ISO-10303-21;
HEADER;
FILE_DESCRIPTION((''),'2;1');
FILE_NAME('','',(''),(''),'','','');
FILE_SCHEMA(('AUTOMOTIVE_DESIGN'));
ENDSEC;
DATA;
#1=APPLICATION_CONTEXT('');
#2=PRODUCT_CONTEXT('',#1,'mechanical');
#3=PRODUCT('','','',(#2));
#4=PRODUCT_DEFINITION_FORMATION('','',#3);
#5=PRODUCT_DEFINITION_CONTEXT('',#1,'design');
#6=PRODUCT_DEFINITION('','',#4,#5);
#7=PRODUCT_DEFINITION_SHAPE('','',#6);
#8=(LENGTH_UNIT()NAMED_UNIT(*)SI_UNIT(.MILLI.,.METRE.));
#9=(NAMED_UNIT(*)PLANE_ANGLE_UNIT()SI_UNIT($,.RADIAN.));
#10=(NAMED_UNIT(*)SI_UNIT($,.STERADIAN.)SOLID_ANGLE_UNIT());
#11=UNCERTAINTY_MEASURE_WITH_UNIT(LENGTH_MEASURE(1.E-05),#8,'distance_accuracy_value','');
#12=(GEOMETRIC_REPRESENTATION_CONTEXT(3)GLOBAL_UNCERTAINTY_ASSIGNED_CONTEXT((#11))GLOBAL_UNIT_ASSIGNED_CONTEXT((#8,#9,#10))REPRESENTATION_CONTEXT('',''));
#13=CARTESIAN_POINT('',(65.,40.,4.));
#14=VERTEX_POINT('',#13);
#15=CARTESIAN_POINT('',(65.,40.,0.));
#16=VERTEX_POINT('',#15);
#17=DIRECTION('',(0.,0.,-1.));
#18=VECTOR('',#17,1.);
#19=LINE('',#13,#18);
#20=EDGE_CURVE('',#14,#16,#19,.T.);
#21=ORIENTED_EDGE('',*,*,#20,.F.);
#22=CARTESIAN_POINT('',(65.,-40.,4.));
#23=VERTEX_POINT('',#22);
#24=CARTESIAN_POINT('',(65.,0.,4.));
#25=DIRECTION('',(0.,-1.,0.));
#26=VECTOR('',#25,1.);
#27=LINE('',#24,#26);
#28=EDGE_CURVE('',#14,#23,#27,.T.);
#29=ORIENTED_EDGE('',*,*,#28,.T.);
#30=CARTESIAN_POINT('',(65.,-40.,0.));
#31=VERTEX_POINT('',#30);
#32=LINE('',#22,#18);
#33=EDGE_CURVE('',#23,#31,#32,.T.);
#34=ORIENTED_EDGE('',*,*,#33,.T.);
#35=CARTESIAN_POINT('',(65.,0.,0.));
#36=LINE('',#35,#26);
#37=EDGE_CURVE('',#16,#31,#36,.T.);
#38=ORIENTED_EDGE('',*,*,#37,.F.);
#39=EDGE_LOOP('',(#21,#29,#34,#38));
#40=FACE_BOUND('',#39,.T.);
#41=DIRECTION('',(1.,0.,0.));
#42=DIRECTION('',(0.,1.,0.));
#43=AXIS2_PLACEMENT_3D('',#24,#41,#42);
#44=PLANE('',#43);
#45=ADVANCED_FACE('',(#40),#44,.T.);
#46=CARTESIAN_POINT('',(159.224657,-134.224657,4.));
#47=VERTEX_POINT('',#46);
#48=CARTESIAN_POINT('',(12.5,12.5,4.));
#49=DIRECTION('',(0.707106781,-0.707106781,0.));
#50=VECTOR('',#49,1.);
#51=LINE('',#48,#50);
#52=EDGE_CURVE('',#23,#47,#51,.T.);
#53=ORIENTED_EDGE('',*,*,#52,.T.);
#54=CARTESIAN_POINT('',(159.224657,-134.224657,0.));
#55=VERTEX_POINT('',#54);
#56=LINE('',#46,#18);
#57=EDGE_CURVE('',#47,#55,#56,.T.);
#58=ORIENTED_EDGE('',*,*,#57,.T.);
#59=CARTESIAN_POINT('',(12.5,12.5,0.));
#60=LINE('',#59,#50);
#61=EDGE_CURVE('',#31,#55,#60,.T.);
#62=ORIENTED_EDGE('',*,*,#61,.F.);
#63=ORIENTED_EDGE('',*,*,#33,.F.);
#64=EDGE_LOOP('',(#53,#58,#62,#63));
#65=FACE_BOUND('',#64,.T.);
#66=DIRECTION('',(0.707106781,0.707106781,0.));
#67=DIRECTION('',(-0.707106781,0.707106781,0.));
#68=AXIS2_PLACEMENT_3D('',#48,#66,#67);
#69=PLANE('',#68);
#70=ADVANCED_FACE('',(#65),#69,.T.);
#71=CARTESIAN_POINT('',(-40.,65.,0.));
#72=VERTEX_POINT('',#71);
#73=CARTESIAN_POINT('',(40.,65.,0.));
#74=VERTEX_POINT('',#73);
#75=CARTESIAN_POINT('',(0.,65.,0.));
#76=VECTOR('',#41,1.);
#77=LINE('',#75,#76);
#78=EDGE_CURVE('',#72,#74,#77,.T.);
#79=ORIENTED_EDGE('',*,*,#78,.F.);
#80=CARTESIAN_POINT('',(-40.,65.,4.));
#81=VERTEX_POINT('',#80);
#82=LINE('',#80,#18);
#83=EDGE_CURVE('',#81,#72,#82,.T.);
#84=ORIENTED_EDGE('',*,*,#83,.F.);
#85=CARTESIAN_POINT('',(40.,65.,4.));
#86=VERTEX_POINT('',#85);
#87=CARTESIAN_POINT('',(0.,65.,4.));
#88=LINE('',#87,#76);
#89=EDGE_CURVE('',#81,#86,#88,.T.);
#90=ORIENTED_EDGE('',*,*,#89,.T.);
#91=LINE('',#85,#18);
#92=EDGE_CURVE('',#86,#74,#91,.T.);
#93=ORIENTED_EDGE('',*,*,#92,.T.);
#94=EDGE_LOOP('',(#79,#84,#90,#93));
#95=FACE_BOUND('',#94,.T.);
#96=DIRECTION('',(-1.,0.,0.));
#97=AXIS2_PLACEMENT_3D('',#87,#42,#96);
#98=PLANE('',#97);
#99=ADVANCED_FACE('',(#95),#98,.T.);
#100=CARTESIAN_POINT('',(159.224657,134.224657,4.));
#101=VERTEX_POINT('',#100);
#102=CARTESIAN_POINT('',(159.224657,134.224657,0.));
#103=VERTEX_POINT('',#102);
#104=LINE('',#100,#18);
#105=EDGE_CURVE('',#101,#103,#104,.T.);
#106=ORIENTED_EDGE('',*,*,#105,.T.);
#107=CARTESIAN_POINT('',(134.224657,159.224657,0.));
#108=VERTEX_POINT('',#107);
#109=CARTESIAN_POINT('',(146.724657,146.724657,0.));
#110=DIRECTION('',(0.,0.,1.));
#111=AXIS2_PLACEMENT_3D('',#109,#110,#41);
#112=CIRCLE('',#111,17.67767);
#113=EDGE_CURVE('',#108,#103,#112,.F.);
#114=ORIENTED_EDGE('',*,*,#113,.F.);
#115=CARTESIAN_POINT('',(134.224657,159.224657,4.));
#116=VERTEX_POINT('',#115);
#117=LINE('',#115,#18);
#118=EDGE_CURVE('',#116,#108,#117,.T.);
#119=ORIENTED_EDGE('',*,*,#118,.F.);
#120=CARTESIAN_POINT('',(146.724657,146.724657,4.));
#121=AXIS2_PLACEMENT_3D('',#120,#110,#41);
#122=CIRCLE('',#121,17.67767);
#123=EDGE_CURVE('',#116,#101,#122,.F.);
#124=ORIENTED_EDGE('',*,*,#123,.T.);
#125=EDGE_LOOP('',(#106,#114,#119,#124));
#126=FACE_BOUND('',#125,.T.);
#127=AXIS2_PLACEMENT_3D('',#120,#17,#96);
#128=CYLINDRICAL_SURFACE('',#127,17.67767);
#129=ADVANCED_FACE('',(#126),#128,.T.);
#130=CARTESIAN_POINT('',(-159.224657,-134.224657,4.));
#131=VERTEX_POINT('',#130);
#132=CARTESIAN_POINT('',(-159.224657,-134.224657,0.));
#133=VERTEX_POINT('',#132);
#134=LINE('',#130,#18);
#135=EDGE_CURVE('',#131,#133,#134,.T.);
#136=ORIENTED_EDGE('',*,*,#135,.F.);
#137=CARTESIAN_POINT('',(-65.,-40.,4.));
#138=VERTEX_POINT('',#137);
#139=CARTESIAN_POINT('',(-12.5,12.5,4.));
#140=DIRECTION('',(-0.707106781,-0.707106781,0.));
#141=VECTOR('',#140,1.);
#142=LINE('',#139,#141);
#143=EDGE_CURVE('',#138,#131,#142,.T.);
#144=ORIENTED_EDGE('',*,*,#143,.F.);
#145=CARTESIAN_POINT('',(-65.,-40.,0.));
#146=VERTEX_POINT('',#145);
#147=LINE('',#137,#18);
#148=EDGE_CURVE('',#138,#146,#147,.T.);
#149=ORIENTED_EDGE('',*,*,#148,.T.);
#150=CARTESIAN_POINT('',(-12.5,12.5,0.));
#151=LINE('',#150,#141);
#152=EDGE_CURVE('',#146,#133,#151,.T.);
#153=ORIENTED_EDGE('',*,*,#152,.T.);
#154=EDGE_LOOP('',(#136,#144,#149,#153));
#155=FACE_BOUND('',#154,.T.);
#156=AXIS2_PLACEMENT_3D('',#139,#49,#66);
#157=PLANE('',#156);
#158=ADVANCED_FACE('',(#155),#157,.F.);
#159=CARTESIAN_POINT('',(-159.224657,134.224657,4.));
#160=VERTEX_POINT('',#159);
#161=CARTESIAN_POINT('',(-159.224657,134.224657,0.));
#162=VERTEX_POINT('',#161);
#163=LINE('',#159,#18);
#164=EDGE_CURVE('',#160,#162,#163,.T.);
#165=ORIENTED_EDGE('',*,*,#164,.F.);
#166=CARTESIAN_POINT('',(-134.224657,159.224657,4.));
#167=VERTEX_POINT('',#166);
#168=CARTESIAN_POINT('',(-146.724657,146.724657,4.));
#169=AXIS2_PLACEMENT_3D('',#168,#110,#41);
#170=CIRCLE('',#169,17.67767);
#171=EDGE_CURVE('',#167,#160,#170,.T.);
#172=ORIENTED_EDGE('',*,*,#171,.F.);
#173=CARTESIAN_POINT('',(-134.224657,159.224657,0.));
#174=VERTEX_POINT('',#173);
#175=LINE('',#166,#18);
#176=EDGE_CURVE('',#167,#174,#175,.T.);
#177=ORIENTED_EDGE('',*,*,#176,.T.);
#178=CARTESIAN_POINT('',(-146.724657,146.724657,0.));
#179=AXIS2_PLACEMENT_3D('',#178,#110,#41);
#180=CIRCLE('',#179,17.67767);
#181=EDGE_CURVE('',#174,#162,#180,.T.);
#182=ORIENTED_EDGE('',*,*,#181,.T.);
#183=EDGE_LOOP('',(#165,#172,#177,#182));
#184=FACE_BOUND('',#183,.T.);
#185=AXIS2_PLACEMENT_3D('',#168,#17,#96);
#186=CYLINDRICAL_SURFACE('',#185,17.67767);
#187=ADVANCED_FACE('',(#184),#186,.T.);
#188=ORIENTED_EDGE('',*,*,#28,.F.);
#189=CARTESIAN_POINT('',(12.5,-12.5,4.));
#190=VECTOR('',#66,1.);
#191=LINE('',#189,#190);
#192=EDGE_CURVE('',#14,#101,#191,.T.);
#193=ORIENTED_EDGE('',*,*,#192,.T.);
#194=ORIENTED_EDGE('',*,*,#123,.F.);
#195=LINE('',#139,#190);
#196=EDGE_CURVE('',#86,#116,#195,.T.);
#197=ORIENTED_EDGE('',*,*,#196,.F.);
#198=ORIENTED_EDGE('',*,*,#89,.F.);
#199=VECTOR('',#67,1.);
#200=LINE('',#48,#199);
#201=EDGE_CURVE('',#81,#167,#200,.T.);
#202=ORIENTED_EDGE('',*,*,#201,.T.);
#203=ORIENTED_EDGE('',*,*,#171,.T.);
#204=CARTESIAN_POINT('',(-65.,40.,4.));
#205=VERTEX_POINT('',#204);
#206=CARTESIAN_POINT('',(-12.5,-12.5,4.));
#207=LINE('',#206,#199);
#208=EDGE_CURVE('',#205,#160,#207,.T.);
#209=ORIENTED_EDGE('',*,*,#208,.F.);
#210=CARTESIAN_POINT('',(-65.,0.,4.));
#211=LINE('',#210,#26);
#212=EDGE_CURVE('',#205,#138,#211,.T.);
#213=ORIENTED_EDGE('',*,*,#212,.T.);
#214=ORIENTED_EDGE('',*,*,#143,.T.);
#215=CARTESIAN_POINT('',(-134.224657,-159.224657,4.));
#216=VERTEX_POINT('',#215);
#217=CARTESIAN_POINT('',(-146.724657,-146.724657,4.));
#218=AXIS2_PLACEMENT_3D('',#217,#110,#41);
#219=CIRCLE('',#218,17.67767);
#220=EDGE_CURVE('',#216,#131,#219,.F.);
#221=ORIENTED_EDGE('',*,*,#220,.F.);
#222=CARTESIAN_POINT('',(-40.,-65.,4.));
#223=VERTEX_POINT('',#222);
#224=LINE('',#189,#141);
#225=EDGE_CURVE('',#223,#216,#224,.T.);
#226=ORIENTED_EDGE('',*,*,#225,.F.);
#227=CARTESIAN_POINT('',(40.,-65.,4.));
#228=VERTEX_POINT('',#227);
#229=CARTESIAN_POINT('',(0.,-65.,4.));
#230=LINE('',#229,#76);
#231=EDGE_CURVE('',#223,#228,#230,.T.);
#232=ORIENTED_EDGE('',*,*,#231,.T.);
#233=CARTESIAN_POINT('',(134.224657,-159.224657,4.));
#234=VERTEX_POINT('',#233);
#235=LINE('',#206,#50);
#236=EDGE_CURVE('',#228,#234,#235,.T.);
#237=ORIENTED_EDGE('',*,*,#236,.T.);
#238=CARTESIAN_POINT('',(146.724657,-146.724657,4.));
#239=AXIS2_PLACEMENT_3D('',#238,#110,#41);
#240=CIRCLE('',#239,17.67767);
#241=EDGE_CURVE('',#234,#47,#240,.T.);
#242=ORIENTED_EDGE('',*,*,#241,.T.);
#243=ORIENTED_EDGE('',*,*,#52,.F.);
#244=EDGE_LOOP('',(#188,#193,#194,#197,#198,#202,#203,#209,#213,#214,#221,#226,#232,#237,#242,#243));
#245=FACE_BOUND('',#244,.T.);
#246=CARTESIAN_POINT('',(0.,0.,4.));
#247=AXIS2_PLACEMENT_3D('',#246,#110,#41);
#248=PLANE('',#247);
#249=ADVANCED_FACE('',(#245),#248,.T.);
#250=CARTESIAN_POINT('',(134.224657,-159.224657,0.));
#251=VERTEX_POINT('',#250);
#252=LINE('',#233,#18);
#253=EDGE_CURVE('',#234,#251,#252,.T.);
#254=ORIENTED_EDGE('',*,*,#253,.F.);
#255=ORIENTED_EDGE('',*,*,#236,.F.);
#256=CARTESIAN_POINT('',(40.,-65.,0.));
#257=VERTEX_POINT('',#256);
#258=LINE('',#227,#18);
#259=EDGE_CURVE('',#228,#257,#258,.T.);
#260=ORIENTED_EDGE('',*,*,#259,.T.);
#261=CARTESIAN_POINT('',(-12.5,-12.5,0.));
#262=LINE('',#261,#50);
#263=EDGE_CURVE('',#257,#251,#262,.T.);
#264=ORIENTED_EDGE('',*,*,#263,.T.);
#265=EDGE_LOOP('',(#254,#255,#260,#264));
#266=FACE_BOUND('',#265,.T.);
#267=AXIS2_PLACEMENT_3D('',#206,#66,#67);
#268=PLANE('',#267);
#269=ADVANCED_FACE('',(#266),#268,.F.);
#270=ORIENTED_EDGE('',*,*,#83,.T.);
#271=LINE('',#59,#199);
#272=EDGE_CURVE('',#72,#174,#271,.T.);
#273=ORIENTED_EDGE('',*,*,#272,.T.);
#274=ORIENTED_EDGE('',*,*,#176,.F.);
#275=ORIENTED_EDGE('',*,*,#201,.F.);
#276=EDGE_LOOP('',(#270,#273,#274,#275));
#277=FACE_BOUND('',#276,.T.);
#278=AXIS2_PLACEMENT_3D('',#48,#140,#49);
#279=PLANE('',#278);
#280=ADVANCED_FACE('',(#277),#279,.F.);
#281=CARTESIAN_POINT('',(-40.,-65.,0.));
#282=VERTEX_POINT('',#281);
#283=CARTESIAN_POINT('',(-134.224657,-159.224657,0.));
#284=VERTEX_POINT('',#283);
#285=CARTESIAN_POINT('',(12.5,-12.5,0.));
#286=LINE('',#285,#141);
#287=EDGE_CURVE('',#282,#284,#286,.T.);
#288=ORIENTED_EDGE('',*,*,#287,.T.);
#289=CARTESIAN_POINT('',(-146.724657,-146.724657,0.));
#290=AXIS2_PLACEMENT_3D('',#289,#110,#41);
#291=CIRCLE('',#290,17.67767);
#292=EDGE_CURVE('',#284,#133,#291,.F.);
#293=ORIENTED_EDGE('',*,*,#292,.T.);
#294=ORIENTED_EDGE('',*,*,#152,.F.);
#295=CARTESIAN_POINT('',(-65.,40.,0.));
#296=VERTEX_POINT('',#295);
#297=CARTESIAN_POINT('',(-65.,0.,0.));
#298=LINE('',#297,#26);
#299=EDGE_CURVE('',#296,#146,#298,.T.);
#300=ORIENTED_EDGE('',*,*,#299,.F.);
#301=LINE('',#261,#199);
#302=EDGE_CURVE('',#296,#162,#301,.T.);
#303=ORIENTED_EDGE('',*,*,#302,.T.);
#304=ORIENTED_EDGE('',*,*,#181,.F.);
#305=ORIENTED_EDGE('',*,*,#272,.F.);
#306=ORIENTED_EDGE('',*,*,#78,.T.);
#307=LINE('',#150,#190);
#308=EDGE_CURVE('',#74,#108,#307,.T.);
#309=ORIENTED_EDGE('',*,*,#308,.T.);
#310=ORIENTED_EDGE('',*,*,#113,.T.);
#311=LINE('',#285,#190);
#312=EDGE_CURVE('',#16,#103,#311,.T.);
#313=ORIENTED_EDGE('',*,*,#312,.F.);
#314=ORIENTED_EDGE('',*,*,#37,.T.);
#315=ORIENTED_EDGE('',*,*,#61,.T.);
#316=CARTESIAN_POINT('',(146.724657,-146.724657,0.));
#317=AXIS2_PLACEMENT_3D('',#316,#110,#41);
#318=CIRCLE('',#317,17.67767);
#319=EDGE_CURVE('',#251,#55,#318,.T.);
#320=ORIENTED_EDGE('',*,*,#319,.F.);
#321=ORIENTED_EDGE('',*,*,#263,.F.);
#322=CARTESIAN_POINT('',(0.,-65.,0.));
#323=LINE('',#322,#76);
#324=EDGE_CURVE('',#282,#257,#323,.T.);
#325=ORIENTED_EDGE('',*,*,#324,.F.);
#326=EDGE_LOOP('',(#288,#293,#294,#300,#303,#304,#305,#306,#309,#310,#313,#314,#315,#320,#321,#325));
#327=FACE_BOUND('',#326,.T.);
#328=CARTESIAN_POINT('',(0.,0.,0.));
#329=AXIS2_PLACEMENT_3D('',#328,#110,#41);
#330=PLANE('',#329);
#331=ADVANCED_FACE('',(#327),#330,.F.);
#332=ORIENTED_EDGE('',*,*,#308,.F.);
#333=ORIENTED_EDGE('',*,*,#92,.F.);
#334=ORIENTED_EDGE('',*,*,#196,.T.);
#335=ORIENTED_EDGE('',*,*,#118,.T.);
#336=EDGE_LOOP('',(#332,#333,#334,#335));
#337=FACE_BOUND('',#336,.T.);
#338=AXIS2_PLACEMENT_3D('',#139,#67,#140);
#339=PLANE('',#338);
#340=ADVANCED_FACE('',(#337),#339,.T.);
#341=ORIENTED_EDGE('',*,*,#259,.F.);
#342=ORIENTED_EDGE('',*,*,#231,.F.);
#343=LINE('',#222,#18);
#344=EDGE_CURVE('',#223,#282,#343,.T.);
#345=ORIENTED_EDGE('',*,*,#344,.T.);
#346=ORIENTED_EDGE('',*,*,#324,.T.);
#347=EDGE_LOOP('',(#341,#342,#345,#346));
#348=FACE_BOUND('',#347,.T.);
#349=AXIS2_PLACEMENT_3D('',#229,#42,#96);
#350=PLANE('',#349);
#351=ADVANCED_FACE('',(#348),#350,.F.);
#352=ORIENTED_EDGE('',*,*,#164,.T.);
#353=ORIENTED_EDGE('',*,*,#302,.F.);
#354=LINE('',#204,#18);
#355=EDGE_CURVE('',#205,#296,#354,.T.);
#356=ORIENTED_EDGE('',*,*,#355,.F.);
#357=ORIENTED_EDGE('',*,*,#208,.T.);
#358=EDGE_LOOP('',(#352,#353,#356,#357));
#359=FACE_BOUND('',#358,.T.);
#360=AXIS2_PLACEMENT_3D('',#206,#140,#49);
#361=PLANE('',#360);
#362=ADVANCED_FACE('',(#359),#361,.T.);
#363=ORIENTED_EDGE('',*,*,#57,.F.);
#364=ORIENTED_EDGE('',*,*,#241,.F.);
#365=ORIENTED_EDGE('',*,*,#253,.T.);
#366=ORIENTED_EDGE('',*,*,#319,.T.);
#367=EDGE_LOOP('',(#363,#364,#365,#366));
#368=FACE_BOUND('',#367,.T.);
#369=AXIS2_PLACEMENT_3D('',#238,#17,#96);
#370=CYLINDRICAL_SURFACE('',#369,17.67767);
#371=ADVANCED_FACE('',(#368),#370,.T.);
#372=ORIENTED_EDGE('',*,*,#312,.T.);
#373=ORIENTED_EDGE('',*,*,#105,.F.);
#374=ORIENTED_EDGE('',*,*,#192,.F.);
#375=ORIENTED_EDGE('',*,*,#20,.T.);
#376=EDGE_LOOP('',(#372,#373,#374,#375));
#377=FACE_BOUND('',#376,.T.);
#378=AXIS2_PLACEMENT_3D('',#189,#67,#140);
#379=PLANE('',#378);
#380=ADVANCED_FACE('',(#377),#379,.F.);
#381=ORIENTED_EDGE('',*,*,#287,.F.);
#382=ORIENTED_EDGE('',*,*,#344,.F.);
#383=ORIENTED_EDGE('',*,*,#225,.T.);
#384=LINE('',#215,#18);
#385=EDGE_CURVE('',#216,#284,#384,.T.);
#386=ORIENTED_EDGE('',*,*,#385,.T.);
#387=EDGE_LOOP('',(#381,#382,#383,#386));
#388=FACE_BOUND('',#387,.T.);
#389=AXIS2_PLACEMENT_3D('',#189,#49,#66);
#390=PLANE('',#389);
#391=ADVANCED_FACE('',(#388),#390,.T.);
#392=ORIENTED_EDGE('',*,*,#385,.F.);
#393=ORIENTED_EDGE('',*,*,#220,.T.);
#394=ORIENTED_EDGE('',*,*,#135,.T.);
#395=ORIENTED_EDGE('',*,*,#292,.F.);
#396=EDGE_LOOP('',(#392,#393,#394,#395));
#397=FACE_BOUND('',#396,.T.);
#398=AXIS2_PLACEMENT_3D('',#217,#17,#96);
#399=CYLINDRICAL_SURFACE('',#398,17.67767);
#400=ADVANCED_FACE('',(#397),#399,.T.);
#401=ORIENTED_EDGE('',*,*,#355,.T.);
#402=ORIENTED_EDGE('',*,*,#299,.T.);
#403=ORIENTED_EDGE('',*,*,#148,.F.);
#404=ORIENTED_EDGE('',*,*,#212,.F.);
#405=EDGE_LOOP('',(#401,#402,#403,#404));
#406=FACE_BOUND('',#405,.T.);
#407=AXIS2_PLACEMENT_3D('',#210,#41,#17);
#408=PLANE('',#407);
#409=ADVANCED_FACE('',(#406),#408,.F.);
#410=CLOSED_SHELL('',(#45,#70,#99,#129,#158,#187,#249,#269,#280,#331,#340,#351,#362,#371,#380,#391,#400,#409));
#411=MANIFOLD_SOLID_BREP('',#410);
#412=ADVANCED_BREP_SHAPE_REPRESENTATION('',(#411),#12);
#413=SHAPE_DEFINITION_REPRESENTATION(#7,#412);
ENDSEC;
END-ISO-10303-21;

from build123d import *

# Parameters (mm, degrees)
EXTRUDE_1_DEPTH = 4


with BuildPart() as part:
    # 草图1 → 凸台-拉伸1 (new body)
    with BuildSketch(Plane.XY):
        with BuildLine():
            ThreePointArc((-134.224657096, -159.224657096), (-159.224657096, -159.224657096), (-159.224657096, -134.224657096))
            Line((-159.224657096, -134.224657096), (-65, -40))
            Line((-65, -40), (-40, -65))
            Line((-40, -65), (-134.224657096, -159.224657096))
        make_face()
        with BuildLine():
            Line((-40, 65), (-134.224657096, 159.224657096))
            ThreePointArc((-134.224657096, 159.224657096), (-159.224657096, 159.224657096), (-159.224657096, 134.224657096))
            Line((-159.224657096, 134.224657096), (-65, 40))
            Line((-65, 40), (-40, 65))
        make_face()
        Polygon((-65, 40), (-65, -40), (-40, -65), (40, -65), (65, -40), (65, 40), (40, 65), (-40, 65), align=None)
        with BuildLine():
            Line((40, -65), (134.224657096, -159.224657096))
            ThreePointArc((134.224657096, -159.224657096), (159.224657096, -159.224657096), (159.224657096, -134.224657096))
            Line((159.224657096, -134.224657096), (65, -40))
            Line((65, -40), (40, -65))
        make_face()
        with BuildLine():
            ThreePointArc((134.224657096, 159.224657096), (159.224657096, 159.224657096), (159.224657096, 134.224657096))
            Line((159.224657096, 134.224657096), (65, 40))
            Line((65, 40), (40, 65))
            Line((40, 65), (134.224657096, 159.224657096))
        make_face()
    extrude(amount=EXTRUDE_1_DEPTH)


solid = part.part
